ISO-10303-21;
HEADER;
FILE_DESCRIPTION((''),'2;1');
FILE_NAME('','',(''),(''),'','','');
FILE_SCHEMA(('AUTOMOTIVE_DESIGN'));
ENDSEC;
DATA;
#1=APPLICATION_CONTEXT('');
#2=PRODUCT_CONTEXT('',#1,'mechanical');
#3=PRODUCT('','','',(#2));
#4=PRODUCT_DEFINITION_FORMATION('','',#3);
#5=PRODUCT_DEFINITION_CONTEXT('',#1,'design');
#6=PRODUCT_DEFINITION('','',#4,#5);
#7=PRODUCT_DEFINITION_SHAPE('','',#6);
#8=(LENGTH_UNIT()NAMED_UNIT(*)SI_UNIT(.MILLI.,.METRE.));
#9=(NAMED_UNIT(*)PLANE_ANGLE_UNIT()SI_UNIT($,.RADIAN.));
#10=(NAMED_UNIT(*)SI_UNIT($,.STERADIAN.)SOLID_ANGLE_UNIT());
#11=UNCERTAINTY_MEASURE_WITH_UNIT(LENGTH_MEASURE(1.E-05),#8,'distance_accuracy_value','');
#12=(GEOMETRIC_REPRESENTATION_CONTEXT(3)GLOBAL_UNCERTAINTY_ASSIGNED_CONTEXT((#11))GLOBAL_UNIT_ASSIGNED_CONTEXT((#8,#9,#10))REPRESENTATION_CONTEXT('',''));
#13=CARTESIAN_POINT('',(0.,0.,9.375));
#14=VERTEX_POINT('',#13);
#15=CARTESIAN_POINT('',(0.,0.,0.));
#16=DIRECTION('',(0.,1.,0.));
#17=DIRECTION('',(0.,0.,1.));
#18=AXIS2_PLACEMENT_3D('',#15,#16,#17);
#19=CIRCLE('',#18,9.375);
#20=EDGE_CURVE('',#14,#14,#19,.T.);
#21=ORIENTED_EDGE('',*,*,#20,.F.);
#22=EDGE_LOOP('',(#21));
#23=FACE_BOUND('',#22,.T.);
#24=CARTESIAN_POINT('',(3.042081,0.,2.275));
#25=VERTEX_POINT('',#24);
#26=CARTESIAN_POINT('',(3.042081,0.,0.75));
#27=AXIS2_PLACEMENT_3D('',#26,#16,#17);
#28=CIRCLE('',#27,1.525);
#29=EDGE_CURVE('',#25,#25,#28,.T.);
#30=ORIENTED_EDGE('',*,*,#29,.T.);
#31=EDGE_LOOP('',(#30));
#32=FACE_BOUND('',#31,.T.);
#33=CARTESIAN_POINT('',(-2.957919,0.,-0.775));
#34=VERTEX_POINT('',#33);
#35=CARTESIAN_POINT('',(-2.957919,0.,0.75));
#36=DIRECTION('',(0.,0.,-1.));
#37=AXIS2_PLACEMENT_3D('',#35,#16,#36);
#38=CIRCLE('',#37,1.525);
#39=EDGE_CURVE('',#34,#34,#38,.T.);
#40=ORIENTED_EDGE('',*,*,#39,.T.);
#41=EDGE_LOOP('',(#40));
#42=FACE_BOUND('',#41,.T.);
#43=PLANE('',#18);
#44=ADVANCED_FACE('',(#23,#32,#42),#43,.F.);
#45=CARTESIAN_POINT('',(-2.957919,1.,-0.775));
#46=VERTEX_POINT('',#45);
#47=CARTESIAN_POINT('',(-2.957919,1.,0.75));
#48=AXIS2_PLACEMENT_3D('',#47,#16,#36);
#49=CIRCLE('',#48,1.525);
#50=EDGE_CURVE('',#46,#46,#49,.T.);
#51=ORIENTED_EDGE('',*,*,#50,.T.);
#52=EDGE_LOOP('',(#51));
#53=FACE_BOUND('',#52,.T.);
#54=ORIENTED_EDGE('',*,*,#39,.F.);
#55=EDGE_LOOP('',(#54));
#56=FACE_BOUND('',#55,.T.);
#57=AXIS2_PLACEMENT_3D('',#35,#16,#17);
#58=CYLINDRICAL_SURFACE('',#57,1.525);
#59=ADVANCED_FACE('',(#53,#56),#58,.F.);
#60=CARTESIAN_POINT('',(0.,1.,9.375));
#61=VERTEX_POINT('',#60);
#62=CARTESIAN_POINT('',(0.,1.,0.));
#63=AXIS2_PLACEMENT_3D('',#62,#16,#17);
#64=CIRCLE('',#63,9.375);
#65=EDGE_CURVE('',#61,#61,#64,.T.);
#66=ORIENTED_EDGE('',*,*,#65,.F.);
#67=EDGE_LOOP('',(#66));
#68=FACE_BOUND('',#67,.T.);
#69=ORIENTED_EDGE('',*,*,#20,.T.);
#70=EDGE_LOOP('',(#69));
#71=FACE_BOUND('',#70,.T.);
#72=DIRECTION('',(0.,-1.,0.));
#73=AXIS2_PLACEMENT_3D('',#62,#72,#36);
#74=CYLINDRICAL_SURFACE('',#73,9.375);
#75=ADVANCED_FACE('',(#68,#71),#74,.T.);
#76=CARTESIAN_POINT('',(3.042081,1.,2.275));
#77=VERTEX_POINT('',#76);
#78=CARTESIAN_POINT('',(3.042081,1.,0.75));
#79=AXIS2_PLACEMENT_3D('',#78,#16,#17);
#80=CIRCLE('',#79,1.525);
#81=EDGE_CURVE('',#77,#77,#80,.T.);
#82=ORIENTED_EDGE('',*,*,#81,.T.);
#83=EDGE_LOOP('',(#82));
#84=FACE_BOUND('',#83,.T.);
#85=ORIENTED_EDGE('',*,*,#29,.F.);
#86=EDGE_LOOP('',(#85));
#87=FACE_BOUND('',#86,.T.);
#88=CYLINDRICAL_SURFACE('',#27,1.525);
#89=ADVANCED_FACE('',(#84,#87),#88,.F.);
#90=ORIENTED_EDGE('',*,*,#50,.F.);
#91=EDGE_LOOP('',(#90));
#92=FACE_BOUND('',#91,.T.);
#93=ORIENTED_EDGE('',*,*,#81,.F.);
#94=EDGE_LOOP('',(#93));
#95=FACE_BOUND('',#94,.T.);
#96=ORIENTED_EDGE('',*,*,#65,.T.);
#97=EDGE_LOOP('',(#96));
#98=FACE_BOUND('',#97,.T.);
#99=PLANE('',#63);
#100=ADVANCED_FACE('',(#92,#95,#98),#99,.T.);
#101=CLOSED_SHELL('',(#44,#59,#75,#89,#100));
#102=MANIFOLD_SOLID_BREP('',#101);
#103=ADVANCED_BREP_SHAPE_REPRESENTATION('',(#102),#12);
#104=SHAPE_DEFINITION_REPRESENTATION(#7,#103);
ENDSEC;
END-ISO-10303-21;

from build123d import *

# Parameters (mm, degrees)
SKETCH1_R           = 9.375
BOSS_EXTRUDE1_DEPTH = 1
SKETCH2_R           = 1.525
CUT_EXTRUDE1_DEPTH  = 14.295911026


with BuildPart() as part:
    # Sketch1 → Boss-Extrude1 (new body)
    with BuildSketch(Plane(origin=(0, 0, 0), x_dir=(1, 0, 0), z_dir=(0, 1, 0))):
        with Locations(Location((0, 0, 0), (0, 0, 270))):
            Circle(SKETCH1_R)
    extrude(amount=BOSS_EXTRUDE1_DEPTH)

    # Sketch2 → Cut-Extrude1 (cut, through all)
    with BuildSketch(Plane(origin=(0, 1, 0), x_dir=(1, 0, 0), z_dir=(0, 1, 0))):
        with Locations(Location((3.042080578, -0.75, 0), (0, 0, 270))):
            Circle(SKETCH2_R)
        with Locations(Location((-2.957919422, -0.75, 0), (0, 0, 90))):
            Circle(SKETCH2_R)
    extrude(amount=-CUT_EXTRUDE1_DEPTH, mode=Mode.SUBTRACT)


solid = part.part
